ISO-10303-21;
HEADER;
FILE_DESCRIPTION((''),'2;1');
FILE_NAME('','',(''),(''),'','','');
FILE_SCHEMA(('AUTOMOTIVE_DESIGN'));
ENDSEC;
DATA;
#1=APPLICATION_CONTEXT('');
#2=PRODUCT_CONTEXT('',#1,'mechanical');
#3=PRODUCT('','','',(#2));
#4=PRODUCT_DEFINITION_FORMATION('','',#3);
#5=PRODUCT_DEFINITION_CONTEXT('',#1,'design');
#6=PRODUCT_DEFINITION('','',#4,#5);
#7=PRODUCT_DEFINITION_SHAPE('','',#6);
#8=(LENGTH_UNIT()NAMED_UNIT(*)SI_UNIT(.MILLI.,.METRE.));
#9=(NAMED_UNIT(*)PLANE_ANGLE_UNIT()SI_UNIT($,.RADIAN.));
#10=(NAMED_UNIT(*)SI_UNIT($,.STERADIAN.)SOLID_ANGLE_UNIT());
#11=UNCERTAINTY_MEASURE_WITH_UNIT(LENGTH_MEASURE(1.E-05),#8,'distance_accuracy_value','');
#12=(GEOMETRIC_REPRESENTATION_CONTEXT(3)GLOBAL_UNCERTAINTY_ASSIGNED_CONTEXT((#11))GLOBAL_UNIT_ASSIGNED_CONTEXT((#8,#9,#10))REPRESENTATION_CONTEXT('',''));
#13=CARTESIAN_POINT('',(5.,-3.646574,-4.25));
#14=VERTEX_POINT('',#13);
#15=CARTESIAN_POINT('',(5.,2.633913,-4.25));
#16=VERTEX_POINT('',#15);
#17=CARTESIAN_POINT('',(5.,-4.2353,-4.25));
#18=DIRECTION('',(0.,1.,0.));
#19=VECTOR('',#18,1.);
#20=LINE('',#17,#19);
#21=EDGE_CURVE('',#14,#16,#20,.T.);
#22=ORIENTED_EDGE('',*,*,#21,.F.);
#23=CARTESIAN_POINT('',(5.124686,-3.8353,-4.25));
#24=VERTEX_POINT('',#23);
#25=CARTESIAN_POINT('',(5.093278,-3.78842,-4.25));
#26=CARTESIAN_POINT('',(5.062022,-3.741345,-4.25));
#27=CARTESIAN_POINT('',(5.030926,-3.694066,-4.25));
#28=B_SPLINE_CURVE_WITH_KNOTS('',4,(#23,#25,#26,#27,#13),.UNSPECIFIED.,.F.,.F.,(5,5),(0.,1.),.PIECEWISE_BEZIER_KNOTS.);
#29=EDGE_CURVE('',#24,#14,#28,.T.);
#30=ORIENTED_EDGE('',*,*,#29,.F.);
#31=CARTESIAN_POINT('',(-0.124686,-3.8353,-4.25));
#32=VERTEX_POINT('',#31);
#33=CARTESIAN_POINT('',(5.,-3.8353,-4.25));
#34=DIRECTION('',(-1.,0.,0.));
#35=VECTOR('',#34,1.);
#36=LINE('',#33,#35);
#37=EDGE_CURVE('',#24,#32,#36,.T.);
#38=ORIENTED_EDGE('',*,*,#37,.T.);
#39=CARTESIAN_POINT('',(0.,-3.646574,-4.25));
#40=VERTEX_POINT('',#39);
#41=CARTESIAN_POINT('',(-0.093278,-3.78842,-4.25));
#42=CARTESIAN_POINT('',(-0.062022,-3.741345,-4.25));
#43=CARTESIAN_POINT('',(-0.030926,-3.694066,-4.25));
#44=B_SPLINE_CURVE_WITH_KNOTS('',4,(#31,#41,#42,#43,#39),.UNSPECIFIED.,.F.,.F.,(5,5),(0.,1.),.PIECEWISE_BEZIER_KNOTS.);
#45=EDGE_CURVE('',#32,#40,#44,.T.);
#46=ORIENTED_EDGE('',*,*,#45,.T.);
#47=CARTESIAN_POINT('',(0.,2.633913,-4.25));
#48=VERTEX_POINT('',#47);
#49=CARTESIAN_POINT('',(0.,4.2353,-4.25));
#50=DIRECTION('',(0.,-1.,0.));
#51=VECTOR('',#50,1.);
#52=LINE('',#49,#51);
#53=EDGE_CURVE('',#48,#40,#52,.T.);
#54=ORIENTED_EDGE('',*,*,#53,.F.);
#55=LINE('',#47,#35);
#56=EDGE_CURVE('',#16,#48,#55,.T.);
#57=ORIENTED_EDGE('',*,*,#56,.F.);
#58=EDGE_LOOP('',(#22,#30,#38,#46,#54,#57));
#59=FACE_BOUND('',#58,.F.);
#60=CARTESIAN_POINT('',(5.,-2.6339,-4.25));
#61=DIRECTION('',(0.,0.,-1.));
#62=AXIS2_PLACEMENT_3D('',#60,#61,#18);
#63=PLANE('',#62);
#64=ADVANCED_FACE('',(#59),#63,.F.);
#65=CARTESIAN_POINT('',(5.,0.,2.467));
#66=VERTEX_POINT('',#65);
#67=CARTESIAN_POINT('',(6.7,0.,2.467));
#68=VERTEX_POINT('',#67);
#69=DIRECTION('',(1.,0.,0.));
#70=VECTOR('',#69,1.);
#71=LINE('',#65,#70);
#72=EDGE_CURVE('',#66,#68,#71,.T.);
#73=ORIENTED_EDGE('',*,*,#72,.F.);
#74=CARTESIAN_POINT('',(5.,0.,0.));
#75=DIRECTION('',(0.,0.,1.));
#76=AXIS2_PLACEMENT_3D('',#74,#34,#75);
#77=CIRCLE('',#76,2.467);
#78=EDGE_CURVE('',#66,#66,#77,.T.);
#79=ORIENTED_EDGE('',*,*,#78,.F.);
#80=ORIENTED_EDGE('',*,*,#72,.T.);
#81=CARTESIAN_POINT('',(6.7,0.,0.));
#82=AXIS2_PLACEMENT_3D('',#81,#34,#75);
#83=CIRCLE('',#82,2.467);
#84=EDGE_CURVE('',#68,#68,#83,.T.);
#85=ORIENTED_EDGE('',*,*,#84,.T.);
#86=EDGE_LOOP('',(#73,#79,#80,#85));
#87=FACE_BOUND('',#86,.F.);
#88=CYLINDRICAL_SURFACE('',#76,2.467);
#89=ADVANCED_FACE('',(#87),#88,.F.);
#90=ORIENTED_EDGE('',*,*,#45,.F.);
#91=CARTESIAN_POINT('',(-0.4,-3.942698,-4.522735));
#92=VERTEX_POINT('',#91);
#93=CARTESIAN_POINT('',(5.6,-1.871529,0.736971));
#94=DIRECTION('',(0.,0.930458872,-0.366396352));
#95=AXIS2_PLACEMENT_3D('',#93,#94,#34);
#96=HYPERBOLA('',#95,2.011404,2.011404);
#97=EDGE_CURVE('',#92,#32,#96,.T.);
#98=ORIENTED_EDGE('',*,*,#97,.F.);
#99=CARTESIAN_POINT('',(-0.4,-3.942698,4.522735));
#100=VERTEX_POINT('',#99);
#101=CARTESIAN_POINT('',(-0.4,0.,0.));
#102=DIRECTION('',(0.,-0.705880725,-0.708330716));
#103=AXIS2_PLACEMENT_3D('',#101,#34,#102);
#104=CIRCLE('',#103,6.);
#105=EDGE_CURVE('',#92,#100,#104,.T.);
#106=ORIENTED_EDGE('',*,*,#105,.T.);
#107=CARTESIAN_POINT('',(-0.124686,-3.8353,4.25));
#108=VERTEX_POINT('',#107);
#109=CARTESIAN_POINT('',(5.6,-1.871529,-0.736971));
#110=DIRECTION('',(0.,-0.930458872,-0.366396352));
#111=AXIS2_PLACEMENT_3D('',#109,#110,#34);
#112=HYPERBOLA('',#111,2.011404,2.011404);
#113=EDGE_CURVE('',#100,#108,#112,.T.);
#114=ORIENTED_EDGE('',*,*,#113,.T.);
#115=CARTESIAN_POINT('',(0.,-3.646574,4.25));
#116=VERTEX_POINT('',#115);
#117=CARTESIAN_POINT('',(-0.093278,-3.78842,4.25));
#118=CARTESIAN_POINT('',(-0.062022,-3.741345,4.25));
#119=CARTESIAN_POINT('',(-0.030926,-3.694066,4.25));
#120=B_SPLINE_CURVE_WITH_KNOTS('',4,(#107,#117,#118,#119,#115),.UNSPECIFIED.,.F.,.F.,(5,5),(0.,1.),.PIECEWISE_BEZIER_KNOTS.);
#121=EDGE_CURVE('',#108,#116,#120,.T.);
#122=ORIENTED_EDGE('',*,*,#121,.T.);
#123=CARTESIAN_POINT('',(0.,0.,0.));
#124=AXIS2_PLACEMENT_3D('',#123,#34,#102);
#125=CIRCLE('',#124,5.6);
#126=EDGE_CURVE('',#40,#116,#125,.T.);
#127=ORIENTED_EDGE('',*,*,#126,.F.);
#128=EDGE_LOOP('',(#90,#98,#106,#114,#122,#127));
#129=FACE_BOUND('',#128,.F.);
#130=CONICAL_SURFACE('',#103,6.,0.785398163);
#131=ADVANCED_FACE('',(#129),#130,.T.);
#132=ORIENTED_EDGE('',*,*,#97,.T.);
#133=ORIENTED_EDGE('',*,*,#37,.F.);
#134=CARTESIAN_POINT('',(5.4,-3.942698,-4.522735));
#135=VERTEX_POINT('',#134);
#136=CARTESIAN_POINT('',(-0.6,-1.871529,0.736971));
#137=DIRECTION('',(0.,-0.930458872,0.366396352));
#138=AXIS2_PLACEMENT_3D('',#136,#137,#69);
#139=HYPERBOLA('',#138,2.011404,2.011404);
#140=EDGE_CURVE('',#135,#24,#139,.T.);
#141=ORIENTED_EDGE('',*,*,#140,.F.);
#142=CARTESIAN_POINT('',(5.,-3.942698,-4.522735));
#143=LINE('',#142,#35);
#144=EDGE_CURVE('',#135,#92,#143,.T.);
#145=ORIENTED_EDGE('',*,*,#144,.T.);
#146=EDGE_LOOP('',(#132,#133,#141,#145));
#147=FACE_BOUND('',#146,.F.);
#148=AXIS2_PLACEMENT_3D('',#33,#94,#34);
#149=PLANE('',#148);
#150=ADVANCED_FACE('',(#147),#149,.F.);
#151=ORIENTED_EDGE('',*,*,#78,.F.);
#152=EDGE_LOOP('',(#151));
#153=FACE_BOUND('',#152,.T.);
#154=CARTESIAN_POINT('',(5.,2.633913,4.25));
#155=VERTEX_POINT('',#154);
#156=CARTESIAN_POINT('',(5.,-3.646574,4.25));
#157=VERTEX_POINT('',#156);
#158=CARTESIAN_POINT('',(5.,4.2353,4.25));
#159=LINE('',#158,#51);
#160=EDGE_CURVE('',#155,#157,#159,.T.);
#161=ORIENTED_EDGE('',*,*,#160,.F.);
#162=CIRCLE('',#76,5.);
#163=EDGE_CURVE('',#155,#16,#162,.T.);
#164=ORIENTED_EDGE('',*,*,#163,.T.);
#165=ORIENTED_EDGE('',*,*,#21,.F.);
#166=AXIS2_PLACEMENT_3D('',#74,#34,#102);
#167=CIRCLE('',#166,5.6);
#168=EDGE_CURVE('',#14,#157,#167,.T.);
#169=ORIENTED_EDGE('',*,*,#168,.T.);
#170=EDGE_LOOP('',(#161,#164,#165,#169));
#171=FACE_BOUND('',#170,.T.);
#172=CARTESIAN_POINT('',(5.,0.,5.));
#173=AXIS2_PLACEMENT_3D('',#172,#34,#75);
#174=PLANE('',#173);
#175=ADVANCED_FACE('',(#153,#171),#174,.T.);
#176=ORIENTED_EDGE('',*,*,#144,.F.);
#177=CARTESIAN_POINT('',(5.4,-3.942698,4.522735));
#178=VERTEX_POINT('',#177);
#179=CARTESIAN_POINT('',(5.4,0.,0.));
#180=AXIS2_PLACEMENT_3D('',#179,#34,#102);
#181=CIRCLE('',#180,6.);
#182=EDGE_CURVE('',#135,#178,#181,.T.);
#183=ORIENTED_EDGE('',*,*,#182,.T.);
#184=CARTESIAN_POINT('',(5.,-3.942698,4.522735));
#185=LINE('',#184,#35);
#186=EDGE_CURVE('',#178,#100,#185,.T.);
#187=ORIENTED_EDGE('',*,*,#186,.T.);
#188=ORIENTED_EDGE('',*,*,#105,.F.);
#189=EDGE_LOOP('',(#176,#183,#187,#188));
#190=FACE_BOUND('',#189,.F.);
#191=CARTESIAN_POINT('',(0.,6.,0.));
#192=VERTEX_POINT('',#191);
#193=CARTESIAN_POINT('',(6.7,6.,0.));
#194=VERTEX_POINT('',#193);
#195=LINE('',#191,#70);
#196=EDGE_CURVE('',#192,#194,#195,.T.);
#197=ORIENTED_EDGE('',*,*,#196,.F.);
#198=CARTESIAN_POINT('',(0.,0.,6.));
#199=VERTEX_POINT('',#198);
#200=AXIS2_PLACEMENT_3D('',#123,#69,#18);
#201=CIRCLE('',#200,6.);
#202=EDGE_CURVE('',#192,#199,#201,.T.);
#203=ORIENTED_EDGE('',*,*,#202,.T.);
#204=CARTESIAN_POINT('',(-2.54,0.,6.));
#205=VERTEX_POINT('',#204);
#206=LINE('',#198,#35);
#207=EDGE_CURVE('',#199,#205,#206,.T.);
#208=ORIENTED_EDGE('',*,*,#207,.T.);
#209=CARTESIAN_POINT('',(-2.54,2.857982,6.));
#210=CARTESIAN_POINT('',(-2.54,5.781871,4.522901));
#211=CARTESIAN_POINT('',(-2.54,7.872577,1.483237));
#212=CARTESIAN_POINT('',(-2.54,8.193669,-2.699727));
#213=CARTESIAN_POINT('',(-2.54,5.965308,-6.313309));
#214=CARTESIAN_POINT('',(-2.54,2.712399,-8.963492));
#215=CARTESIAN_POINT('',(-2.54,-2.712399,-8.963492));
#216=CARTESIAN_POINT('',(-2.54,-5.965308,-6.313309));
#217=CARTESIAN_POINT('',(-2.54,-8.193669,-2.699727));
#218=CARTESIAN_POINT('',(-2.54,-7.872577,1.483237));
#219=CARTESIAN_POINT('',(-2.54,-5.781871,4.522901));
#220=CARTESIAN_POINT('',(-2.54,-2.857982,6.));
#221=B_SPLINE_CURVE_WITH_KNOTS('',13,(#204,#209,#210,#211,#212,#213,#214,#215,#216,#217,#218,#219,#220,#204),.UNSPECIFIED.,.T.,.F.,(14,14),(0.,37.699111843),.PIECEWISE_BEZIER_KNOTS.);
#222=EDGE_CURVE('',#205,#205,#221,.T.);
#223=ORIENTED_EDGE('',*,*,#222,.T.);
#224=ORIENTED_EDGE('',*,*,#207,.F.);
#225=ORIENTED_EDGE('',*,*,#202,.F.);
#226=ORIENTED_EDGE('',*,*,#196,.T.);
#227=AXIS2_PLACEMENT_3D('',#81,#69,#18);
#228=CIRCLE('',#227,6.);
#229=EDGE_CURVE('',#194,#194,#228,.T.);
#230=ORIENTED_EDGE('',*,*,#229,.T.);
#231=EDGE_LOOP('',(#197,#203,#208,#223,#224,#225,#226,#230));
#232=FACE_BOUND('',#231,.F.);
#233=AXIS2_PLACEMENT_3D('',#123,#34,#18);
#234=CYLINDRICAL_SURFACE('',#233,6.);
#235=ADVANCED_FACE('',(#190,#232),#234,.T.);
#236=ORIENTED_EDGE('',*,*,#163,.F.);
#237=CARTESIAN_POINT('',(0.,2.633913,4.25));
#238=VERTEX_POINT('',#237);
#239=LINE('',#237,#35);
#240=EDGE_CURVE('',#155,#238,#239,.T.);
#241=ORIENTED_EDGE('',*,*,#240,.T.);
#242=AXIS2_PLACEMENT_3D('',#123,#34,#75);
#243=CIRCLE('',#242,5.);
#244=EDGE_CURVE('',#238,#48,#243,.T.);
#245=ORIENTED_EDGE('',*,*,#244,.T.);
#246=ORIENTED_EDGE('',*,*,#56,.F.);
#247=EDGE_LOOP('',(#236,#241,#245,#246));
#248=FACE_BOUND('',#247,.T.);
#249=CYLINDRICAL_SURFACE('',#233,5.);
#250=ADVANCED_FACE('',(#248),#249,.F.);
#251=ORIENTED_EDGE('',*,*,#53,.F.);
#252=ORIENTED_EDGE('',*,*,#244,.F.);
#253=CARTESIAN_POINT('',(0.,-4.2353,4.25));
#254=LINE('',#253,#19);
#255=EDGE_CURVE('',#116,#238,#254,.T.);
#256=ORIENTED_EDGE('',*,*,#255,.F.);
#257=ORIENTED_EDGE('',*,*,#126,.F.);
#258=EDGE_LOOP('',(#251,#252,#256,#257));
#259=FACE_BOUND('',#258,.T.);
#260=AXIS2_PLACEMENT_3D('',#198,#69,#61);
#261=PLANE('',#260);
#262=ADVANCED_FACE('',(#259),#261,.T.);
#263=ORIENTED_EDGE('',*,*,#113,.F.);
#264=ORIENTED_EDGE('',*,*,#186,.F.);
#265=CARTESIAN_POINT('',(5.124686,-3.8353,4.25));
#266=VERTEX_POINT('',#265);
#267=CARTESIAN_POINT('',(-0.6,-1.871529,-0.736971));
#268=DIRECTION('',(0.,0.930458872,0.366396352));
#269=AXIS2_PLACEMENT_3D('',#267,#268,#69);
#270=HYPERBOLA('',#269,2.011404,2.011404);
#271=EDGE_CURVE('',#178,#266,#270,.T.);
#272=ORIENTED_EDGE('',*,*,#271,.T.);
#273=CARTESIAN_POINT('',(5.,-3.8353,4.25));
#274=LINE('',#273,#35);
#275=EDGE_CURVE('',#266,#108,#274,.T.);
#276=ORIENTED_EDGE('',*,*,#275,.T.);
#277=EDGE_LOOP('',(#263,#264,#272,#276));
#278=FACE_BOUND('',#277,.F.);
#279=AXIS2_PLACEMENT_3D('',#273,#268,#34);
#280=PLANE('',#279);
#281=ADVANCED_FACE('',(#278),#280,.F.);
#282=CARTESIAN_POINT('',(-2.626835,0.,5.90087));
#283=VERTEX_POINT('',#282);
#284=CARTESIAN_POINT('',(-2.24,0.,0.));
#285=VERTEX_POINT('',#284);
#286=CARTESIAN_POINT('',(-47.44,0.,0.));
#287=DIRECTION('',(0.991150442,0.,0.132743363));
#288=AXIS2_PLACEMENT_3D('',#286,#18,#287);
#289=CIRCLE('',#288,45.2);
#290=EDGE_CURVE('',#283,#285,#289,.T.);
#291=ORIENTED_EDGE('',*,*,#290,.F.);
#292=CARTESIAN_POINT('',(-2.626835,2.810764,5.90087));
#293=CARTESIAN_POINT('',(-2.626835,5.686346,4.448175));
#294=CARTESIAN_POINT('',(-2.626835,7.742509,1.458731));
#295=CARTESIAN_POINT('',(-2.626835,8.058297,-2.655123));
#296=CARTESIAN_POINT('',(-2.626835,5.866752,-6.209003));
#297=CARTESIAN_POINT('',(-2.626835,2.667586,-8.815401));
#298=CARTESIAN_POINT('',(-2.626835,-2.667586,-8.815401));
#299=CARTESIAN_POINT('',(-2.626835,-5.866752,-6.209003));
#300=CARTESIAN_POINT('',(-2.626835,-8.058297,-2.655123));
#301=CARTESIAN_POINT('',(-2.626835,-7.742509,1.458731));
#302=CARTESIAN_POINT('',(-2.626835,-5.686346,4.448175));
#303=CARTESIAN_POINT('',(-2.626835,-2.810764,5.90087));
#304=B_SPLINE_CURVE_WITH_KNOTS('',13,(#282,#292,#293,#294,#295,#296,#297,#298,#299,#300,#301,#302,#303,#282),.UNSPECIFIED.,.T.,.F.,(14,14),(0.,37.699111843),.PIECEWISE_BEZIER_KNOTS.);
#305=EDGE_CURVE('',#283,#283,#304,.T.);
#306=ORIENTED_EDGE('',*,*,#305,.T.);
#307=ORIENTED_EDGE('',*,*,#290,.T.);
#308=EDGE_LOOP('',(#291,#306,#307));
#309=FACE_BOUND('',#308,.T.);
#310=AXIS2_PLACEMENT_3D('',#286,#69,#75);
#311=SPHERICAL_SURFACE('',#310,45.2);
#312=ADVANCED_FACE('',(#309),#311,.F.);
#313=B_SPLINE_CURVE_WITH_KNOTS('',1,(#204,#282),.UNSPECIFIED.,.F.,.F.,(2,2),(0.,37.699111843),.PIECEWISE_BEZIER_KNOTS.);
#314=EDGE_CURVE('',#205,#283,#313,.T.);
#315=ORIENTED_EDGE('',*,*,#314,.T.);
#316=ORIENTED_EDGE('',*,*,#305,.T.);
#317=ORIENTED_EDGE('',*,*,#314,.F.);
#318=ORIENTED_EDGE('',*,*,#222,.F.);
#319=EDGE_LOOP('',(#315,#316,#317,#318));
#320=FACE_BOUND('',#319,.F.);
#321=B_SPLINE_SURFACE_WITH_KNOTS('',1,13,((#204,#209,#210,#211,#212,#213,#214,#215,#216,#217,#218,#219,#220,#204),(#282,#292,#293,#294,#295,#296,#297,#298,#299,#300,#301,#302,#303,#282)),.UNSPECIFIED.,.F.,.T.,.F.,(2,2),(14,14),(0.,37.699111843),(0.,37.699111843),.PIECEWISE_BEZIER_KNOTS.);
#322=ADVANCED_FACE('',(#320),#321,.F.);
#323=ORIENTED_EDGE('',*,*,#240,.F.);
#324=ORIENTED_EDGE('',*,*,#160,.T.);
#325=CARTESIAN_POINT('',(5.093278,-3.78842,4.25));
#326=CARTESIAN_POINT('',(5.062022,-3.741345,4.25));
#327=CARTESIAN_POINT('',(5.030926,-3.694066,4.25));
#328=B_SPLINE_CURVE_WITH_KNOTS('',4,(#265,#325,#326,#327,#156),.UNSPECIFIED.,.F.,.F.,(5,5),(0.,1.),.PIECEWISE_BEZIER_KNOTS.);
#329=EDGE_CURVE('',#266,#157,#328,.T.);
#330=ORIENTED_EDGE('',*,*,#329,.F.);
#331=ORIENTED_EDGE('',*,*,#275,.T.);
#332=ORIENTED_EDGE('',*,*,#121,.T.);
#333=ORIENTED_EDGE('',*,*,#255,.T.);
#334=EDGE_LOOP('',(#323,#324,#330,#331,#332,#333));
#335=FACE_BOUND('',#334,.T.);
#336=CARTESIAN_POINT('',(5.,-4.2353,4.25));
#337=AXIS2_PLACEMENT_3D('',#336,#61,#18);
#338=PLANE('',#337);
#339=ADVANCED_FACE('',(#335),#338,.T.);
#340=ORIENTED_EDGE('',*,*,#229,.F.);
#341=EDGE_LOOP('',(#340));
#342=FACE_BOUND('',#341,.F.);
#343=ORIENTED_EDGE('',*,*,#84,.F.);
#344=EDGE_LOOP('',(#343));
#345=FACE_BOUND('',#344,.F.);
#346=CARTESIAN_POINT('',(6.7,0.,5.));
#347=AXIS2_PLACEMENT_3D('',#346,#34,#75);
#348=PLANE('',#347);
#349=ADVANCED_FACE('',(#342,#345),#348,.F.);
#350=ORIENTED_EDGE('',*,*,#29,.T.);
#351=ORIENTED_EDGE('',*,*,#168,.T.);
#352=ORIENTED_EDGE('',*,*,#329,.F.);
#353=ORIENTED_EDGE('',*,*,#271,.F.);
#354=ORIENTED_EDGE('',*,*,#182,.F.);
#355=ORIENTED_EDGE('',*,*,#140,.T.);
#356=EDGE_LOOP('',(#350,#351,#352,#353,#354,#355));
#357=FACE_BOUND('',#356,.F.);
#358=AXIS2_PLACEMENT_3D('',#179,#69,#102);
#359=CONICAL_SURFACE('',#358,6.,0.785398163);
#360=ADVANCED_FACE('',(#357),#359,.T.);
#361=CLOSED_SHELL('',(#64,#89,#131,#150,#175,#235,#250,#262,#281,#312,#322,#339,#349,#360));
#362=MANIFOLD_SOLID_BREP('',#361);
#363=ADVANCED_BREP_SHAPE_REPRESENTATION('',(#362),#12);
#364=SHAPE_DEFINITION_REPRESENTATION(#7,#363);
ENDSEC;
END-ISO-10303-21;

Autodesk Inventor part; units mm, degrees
ref_plane "YZ Plane" through (0, 0, 0) normal (1, 0, 0) x (0, 1, 0)
ref_plane "XZ Plane" through (0, 0, 0) normal (0, 1, 0) x (-1, 0, 0)
ref_plane "XY Plane" through (0, 0, 0) normal (0, 0, 1) x (1, 0, 0)
sketch "Эскиз1" plane through (0, 0, 0) normal (1, 0, 0) x (0, 1, 0)
  circle A0 centre (0, 0) radius 2.067 construction
  circle A1 centre (0, 0) radius 5
  circle A2 centre (0, 0) radius 6
  circle A3 centre (0, 0) radius 2.467 projected
  point P0 (0, 0)
  dimension "d1" = 10
  dimension "d2" = 12
extrude "Выдавливание1" add sketch "Эскиз1" along normal blind 6.7 contours A2
sketch "Эскиз4" plane through (0, 0, 0) normal (-1, 0, 0) x (0, 0, 1)
  circle A0 centre (0, 0) radius 6 projected
  circle A1 centre (0, 0) radius 5 projected
  point P0 (0, 0)
extrude "Выдавливание2" add sketch "Эскиз4" along normal blind 2.64 contours A0 | A1
ref_plane "РабПлоскость1" through (0, 0, 0) normal (0, 1, 0) x (-1, 0, 0)
sketch "Эскиз5" plane through (0, 0, 0) normal (0, 1, 0) x (-1, 0, 0)
  line L0 (2.64, -6) -> (-6.7, -6) projected
  line L1 (-5, 6) -> (0, 6)
  line L2 (0, 6) -> (0, -6)
  line L3 (0, -6) -> (-5, -6)
  line L4 (-5, -6) -> (-5, 6)
  line L5 (2.64, 6) -> (-6.7, 6) projected
  line L6 (0, 6) -> (0, -6) projected
  point P0 (0, 0)
  dimension "d7" = 5
extrude "Выдавливание3" cut sketch "Эскиз5" against normal through all
sketch "Эскиз6" plane through (5, 0, 5) normal (-1, 0, 0) x (0, 0, 1)
  circle A0 centre (-5, 0) radius 5 projected
  circle A1 centre (-5, 0) radius 2.467 projected
extrude "Выдавливание4" add sketch "Эскиз6" against normal up to surface (1.7 mm away)
sketch "Эскиз7" plane through (5, 0, 5) normal (-1, 0, 0) x (0, 0, 1)
  line L0 (-1, 0) -> (-1, -2.3094) projected
  line L1 (-9, -2.3094) -> (-9, 0) projected
  circle A0 centre (-5, 0) radius 6 projected
  line L2 (-0.75, -4.2353) -> (-0.75, -2.6339)
  line L3 (1, 0) -> (0, 0) projected
  line L4 (-10, 0) -> (-11, 0) projected
  line L5 (-9.25, -2.6339) -> (-9.25, -4.2353)
  line L6 (-0.75, -2.6339) -> (-0.75, 4.2353)
  line L7 (-9.25, -2.6339) -> (-9.25, 4.2353)
  point P0 (-5, 0)
  point P1 (-9.25, -3.4346)
  dimension "d12" = 0.25
  dimension "d13" = 0.25
extrude "Выдавливание5" add sketch "Эскиз7" along normal up to surface (5 mm away) contours A0 L2 L6 | L7 L5 A0
chamfer "Фаска1" distance 0.4 angle 45 4 edges at (5, -6, 0) (2.5, -4.2353, 4.25) (2.5, -4.2353, -4.25) (0, -6, 0)
ref_plane "РабПлоскость2" through (0, 0, 0) normal (-1, 0, 0) x (0, 0, 1)
ref_plane "РабПлоскость3" through (0, 0, 0) normal (0, 1, 0) x (-1, 0, 0)
sketch "Эскиз9" plane through (0, 0, 0) normal (0, 1, 0) x (-1, 0, 0)
  line L0 (2.64, -6) -> (2.64, 6) projected
  arc A0 (2.64, 6) -> (2.64, -6) centre (47.44, 0) ccw
  line L1 (2.24, 0) -> (2.64, 0)
  point P0 (0, 0)
  dimension "d19" = 0.4
revolve "Вращение1" cut sketch "Эскиз9" angle 360 about axis through (-2.24, 0, 0) along (-1, 0, 0) picked at (2.566, 3.3355) contours L1 A0 L0
chamfer "Фаска2" distance 0.1 angle 45 1 edges at (-2.64, 0, -6)
equation "\"d13\" = d12"
properties part number "kicker"
